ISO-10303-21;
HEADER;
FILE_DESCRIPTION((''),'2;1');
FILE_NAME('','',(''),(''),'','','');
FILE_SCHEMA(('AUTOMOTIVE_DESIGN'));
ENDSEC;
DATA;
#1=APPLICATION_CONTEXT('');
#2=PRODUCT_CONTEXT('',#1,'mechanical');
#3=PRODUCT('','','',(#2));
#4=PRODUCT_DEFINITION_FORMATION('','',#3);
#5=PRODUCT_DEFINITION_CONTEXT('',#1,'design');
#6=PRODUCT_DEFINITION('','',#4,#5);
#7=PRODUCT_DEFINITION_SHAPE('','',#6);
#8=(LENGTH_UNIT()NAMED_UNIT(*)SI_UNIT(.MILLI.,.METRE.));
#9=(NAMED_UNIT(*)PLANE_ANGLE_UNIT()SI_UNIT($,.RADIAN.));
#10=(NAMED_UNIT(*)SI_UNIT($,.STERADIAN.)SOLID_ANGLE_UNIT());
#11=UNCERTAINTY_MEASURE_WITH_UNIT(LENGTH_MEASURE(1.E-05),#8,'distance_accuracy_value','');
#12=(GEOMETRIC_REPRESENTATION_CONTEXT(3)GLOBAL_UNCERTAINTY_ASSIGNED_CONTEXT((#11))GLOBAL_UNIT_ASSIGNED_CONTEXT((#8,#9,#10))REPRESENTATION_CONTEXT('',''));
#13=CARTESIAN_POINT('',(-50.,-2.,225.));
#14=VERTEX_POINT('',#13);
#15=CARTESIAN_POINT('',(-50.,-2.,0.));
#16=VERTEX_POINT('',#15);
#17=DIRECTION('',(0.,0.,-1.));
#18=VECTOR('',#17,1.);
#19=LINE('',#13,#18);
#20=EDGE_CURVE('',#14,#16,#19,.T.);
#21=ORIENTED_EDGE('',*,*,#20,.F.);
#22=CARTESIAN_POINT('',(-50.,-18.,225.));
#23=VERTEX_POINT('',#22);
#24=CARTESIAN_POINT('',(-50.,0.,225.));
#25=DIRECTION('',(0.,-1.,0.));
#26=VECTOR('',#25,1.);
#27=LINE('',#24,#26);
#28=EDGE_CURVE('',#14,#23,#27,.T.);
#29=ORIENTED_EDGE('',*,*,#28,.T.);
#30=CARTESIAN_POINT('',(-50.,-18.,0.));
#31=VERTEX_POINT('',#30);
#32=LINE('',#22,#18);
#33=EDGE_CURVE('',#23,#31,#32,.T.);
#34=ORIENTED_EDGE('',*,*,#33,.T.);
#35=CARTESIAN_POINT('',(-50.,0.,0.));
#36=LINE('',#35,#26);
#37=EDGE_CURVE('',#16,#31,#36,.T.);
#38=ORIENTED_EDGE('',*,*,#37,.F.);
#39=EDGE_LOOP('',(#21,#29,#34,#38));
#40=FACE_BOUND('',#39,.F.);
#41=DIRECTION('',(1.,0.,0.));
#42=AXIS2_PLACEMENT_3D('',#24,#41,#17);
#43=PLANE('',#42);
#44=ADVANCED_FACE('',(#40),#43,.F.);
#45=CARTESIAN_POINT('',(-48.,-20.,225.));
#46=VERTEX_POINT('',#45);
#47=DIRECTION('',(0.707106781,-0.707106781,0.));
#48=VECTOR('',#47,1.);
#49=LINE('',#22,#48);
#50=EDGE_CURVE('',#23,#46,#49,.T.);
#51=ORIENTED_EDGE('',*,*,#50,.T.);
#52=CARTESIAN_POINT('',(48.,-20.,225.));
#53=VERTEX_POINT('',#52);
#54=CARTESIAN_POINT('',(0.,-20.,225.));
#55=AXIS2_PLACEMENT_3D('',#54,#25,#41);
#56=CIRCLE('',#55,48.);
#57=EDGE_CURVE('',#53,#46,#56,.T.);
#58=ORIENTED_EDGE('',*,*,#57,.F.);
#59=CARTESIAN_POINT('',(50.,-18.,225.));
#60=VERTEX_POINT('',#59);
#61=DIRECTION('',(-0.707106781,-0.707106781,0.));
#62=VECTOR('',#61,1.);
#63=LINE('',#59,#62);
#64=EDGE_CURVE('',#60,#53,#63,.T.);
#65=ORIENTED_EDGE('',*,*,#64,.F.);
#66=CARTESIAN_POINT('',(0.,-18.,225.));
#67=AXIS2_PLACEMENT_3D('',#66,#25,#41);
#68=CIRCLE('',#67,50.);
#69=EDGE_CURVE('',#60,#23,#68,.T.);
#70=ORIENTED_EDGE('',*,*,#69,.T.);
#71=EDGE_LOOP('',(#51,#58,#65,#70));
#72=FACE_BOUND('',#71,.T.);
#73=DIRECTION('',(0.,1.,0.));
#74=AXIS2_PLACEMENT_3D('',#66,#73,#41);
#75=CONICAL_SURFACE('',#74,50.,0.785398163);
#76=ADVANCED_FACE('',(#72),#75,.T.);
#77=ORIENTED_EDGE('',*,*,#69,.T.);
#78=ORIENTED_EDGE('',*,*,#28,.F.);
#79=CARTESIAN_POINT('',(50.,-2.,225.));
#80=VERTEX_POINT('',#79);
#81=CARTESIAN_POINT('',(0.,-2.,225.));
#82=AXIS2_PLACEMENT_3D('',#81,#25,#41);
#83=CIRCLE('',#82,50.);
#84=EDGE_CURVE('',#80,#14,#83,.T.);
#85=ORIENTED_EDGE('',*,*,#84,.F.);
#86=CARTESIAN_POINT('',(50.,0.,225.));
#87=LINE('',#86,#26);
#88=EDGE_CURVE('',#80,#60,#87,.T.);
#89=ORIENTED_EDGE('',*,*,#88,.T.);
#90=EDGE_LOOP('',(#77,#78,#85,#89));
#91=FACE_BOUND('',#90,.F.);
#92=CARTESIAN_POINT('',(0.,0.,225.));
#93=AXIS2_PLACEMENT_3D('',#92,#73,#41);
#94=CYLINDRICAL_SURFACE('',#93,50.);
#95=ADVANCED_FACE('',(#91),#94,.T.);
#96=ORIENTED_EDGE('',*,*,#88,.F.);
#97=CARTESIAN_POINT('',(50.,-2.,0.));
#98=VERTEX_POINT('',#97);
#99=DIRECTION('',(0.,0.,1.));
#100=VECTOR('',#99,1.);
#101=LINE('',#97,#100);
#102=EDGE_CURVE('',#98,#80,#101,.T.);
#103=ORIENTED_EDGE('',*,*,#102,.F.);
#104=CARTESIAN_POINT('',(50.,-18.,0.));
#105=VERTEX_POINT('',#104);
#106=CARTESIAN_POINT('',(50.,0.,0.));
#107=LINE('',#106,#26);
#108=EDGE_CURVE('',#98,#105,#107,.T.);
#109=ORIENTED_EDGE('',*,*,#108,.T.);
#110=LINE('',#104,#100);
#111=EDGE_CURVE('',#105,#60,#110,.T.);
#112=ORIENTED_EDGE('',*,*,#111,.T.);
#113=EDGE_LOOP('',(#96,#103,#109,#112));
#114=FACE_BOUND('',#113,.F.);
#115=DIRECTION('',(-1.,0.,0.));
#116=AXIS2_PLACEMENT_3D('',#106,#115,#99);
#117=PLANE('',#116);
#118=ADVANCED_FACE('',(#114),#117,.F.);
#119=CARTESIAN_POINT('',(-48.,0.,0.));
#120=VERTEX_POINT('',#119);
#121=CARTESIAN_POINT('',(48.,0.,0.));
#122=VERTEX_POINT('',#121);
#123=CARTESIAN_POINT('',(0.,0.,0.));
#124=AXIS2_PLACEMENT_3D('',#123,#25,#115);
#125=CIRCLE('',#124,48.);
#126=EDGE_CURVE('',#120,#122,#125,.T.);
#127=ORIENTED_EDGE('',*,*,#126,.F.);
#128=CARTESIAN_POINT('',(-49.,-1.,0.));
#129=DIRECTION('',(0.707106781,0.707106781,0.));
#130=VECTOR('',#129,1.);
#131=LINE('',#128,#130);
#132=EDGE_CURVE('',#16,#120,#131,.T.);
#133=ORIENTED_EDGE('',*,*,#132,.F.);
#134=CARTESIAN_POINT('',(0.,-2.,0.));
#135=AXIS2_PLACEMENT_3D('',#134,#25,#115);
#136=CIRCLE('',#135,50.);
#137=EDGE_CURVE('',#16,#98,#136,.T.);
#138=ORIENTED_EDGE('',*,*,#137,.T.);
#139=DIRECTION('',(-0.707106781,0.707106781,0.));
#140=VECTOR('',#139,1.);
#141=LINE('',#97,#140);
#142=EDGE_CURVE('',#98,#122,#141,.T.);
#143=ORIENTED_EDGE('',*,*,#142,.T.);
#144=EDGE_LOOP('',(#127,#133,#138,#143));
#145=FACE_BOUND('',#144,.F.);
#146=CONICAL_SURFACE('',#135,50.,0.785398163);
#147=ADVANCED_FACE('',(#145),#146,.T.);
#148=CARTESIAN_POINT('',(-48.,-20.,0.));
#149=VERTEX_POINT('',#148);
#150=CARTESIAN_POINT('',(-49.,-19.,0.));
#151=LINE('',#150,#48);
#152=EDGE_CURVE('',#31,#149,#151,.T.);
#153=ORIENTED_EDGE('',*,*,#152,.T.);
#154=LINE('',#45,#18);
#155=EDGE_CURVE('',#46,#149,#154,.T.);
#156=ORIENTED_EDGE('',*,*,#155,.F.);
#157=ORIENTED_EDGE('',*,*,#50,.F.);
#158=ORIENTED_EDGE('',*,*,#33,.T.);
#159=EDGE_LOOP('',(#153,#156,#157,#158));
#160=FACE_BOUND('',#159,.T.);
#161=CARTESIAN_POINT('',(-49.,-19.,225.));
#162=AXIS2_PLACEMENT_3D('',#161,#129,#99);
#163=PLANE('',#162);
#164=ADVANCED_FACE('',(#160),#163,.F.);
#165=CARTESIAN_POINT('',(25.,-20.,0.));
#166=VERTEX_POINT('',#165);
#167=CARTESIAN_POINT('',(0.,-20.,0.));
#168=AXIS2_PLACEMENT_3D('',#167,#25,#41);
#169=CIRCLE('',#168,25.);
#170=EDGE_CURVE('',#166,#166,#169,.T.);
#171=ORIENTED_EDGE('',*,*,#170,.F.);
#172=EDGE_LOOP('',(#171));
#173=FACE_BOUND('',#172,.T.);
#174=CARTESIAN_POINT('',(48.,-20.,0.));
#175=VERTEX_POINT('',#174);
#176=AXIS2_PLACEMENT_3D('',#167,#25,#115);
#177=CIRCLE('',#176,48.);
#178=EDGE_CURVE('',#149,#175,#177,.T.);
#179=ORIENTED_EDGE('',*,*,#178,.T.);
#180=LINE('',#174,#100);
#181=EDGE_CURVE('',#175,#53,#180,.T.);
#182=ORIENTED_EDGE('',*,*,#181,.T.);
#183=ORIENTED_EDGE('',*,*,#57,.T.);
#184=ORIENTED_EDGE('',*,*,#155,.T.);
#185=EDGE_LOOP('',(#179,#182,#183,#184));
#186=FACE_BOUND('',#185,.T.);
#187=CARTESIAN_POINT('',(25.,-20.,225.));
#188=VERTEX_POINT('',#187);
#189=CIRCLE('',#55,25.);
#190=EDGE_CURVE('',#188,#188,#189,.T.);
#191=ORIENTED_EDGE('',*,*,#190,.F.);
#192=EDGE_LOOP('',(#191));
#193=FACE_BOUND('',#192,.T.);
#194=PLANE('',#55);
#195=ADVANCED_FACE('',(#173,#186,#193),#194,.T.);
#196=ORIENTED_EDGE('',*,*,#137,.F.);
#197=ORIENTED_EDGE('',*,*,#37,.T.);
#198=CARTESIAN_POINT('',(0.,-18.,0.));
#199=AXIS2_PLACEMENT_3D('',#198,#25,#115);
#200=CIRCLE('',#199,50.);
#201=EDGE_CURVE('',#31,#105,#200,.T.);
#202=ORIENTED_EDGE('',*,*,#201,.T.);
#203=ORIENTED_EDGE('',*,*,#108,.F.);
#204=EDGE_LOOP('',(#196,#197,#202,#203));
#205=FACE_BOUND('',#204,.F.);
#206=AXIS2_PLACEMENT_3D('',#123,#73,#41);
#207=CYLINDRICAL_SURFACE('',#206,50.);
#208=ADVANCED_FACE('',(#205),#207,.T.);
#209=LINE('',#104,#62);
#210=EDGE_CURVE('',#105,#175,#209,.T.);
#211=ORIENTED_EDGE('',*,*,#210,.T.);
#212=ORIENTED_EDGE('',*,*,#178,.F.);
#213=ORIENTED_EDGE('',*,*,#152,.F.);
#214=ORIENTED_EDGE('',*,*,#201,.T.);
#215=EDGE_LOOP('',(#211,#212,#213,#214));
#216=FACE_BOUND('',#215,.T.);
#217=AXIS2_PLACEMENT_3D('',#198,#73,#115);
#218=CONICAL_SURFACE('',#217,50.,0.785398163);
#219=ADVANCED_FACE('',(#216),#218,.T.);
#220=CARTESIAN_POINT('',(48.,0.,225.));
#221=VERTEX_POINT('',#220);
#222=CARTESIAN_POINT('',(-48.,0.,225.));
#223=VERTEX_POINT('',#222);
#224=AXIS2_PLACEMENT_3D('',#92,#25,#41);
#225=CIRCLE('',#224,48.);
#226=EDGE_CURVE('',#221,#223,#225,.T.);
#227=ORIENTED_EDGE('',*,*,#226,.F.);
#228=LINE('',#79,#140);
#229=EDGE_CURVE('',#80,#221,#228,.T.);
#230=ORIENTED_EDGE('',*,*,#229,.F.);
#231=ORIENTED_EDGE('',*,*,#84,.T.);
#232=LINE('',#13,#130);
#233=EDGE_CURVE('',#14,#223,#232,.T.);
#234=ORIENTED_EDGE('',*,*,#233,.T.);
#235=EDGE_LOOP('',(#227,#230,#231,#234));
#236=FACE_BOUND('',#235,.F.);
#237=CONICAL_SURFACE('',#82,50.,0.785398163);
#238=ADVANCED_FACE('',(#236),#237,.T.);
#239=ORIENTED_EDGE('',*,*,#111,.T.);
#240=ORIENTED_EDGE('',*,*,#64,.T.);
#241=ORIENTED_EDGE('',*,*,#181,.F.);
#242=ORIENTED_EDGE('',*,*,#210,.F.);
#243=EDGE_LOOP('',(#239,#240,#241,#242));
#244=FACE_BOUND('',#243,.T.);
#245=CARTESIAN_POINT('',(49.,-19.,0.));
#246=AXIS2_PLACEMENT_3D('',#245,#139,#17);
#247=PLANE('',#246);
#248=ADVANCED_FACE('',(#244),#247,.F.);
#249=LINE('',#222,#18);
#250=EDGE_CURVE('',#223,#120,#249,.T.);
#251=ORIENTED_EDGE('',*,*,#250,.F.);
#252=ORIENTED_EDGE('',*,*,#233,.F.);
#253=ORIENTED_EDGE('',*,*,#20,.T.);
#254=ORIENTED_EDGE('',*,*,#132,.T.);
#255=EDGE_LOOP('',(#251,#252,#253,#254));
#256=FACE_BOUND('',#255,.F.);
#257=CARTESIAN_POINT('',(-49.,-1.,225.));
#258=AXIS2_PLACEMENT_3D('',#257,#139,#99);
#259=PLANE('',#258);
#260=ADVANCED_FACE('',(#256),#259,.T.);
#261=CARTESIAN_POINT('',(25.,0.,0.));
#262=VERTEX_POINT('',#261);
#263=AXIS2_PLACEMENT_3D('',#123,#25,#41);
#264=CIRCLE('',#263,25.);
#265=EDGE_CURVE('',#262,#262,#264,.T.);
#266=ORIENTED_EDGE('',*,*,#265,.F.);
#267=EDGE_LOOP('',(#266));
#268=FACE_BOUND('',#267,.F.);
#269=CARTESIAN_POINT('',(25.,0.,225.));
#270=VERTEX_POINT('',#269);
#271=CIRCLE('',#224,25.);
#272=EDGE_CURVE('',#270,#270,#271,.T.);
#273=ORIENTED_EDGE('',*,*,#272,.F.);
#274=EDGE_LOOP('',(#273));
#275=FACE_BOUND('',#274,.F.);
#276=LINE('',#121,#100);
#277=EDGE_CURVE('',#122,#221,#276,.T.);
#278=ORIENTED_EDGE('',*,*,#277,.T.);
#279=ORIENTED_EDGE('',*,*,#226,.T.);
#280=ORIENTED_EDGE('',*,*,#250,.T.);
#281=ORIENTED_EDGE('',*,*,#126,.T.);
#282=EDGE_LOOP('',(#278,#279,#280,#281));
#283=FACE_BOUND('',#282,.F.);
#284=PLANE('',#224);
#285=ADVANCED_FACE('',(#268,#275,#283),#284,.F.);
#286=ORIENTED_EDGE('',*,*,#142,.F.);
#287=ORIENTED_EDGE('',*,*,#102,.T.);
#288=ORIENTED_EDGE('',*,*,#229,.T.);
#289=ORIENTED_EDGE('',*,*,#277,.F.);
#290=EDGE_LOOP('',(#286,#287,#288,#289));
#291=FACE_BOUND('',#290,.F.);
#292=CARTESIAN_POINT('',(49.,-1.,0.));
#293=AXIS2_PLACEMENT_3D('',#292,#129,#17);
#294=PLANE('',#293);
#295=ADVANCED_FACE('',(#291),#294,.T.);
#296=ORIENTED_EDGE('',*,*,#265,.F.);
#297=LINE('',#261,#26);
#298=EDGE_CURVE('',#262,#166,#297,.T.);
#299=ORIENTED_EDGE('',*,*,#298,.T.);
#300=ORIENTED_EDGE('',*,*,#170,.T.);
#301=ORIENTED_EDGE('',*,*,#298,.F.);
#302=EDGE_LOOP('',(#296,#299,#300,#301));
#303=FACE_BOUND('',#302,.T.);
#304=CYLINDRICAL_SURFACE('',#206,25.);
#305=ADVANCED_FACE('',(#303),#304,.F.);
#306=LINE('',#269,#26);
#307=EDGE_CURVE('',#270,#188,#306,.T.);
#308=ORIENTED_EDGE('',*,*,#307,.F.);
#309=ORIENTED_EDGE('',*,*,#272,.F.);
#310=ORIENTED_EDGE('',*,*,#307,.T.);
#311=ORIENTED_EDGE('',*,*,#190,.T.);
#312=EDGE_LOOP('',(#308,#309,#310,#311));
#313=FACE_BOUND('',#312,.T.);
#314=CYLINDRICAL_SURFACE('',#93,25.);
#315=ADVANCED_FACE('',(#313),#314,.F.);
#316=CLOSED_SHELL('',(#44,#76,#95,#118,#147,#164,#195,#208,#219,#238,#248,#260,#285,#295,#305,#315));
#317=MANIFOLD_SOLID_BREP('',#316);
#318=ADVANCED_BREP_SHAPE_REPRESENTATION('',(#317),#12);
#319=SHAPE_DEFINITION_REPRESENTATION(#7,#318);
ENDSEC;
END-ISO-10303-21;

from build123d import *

# Parameters (mm, degrees)
F0_R     = 25
F1_DEPTH = 20
F2_SIZE2 = 2
F2_SIZE  = 2


with BuildPart() as f1:
    # F0 (on Front) → F1 (new body)
    with BuildSketch(Plane.XZ):
        with BuildLine():
            ThreePointArc((-50, 225), (0, 175), (50, 225))
            ThreePointArc((50, 225), (0, 275), (-50, 225))
        make_face()
        with Locations((0, 225)):
            Circle(F0_R, mode=Mode.SUBTRACT)
        with BuildLine():
            Line((50, 0), (50, 225))
            ThreePointArc((50, 225), (0, 175), (-50, 225))
            Line((-50, 225), (-50, 0))
            ThreePointArc((-50, 0), (0, 50), (50, 0))
        make_face()
        with BuildLine():
            ThreePointArc((-50, 0), (0, -50), (50, 0))
            ThreePointArc((50, 0), (0, 50), (-50, 0))
        make_face()
        Circle(F0_R, mode=Mode.SUBTRACT)
    extrude(amount=F1_DEPTH)

    # F2
    f2_edges = [f1.edges().sort_by_distance(p)[0] for p in [
        (0, -20, 275),
        (0, 0, 275),
    ]]
    chamfer(f2_edges, length=F2_SIZE, length2=F2_SIZE2)


solid = f1.part
